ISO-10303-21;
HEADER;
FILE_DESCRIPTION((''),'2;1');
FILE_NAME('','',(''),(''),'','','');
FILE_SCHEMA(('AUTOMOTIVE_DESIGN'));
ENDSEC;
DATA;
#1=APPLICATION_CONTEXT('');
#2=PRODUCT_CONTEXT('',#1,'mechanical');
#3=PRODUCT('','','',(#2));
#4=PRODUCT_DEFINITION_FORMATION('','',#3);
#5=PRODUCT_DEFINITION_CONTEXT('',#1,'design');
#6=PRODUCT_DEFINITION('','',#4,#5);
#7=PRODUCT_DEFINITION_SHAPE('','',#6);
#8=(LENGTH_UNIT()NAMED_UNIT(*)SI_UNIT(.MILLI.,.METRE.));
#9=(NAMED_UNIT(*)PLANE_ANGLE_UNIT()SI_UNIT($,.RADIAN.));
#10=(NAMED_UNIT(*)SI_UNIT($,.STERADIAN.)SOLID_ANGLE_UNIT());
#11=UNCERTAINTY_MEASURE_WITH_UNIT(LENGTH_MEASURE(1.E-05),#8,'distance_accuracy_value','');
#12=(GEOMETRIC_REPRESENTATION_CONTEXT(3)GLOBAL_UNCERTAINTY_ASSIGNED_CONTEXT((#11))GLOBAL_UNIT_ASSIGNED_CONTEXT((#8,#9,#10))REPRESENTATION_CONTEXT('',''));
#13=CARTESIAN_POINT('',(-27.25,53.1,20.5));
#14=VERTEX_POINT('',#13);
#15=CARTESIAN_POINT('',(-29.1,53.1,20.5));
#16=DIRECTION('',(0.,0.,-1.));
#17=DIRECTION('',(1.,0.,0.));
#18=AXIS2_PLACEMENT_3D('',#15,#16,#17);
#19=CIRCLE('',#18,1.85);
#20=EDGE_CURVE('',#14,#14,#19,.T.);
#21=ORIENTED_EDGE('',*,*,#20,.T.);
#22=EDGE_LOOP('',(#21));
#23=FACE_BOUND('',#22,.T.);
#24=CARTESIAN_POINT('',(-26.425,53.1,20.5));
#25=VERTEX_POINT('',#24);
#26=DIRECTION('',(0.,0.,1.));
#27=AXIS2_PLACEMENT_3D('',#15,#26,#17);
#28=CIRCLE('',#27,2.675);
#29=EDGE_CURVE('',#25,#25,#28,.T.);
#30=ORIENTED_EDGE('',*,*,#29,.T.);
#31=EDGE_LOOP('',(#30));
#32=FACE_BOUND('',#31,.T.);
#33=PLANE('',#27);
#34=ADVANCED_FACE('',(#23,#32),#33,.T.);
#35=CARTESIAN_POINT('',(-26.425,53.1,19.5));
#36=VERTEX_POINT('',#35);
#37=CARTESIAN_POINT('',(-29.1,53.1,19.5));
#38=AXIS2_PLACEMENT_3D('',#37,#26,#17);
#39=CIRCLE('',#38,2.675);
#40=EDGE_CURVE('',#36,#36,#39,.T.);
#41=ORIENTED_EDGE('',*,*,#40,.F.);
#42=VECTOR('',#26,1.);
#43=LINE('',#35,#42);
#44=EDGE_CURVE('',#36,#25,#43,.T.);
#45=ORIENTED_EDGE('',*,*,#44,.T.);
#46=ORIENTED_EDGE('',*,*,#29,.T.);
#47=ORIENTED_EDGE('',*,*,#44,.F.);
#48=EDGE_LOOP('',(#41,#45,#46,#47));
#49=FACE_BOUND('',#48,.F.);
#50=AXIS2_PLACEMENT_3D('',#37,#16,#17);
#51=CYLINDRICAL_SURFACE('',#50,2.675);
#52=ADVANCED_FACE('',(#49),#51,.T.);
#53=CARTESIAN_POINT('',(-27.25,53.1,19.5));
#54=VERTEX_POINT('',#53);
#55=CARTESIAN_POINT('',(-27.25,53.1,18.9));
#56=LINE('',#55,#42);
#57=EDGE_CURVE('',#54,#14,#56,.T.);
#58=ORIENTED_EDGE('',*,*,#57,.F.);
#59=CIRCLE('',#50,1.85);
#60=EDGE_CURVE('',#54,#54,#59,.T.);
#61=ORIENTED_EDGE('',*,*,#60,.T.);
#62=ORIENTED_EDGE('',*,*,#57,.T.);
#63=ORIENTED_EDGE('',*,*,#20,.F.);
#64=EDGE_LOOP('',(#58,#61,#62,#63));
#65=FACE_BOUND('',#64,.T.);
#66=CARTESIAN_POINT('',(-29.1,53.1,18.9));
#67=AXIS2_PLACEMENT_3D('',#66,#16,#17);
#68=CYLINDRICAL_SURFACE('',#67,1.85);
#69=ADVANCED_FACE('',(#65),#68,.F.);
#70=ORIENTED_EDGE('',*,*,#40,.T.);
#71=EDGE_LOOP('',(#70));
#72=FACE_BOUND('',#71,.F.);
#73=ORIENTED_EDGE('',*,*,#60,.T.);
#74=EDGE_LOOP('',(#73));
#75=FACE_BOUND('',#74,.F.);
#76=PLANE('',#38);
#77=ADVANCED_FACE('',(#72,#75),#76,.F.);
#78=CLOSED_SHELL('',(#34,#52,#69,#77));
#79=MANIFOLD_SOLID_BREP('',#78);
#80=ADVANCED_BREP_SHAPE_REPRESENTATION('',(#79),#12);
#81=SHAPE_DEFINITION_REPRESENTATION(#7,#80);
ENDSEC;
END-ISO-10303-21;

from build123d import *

# Parameters (mm, degrees)
CYLINDER038_R     = 1.85
CYLINDER038_DEPTH = 3.5
CYLINDER037_R     = 2.675
CYLINDER037_DEPTH = 1


with BuildPart() as vaciado_tope016:
    # Cylinder038 → Cylinder038 (new body)
    with BuildSketch(Plane(origin=(-29.1, 53.1, 24.6), x_dir=(1, 0, 0), z_dir=(0, 0, 1))):
        Circle(CYLINDER038_R)
    extrude(amount=CYLINDER038_DEPTH)


with BuildPart() as arandela_2mm001:
    # Cylinder037 → Cylinder037 (new body)
    with BuildSketch(Plane(origin=(-29.1, 53.1, 25.2), x_dir=(1, 0, 0), z_dir=(0, 0, 1))):
        Circle(CYLINDER037_R)
    extrude(amount=CYLINDER037_DEPTH)

    # Cut020: cut vaciado tope016
    add(vaciado_tope016.part, mode=Mode.SUBTRACT)


with BuildPart() as arandela_2mm001_1:
    # Cut020 placement: moved
    add(arandela_2mm001.part.moved(Location((0, 0, -5.7))))


solid = arandela_2mm001_1.part
